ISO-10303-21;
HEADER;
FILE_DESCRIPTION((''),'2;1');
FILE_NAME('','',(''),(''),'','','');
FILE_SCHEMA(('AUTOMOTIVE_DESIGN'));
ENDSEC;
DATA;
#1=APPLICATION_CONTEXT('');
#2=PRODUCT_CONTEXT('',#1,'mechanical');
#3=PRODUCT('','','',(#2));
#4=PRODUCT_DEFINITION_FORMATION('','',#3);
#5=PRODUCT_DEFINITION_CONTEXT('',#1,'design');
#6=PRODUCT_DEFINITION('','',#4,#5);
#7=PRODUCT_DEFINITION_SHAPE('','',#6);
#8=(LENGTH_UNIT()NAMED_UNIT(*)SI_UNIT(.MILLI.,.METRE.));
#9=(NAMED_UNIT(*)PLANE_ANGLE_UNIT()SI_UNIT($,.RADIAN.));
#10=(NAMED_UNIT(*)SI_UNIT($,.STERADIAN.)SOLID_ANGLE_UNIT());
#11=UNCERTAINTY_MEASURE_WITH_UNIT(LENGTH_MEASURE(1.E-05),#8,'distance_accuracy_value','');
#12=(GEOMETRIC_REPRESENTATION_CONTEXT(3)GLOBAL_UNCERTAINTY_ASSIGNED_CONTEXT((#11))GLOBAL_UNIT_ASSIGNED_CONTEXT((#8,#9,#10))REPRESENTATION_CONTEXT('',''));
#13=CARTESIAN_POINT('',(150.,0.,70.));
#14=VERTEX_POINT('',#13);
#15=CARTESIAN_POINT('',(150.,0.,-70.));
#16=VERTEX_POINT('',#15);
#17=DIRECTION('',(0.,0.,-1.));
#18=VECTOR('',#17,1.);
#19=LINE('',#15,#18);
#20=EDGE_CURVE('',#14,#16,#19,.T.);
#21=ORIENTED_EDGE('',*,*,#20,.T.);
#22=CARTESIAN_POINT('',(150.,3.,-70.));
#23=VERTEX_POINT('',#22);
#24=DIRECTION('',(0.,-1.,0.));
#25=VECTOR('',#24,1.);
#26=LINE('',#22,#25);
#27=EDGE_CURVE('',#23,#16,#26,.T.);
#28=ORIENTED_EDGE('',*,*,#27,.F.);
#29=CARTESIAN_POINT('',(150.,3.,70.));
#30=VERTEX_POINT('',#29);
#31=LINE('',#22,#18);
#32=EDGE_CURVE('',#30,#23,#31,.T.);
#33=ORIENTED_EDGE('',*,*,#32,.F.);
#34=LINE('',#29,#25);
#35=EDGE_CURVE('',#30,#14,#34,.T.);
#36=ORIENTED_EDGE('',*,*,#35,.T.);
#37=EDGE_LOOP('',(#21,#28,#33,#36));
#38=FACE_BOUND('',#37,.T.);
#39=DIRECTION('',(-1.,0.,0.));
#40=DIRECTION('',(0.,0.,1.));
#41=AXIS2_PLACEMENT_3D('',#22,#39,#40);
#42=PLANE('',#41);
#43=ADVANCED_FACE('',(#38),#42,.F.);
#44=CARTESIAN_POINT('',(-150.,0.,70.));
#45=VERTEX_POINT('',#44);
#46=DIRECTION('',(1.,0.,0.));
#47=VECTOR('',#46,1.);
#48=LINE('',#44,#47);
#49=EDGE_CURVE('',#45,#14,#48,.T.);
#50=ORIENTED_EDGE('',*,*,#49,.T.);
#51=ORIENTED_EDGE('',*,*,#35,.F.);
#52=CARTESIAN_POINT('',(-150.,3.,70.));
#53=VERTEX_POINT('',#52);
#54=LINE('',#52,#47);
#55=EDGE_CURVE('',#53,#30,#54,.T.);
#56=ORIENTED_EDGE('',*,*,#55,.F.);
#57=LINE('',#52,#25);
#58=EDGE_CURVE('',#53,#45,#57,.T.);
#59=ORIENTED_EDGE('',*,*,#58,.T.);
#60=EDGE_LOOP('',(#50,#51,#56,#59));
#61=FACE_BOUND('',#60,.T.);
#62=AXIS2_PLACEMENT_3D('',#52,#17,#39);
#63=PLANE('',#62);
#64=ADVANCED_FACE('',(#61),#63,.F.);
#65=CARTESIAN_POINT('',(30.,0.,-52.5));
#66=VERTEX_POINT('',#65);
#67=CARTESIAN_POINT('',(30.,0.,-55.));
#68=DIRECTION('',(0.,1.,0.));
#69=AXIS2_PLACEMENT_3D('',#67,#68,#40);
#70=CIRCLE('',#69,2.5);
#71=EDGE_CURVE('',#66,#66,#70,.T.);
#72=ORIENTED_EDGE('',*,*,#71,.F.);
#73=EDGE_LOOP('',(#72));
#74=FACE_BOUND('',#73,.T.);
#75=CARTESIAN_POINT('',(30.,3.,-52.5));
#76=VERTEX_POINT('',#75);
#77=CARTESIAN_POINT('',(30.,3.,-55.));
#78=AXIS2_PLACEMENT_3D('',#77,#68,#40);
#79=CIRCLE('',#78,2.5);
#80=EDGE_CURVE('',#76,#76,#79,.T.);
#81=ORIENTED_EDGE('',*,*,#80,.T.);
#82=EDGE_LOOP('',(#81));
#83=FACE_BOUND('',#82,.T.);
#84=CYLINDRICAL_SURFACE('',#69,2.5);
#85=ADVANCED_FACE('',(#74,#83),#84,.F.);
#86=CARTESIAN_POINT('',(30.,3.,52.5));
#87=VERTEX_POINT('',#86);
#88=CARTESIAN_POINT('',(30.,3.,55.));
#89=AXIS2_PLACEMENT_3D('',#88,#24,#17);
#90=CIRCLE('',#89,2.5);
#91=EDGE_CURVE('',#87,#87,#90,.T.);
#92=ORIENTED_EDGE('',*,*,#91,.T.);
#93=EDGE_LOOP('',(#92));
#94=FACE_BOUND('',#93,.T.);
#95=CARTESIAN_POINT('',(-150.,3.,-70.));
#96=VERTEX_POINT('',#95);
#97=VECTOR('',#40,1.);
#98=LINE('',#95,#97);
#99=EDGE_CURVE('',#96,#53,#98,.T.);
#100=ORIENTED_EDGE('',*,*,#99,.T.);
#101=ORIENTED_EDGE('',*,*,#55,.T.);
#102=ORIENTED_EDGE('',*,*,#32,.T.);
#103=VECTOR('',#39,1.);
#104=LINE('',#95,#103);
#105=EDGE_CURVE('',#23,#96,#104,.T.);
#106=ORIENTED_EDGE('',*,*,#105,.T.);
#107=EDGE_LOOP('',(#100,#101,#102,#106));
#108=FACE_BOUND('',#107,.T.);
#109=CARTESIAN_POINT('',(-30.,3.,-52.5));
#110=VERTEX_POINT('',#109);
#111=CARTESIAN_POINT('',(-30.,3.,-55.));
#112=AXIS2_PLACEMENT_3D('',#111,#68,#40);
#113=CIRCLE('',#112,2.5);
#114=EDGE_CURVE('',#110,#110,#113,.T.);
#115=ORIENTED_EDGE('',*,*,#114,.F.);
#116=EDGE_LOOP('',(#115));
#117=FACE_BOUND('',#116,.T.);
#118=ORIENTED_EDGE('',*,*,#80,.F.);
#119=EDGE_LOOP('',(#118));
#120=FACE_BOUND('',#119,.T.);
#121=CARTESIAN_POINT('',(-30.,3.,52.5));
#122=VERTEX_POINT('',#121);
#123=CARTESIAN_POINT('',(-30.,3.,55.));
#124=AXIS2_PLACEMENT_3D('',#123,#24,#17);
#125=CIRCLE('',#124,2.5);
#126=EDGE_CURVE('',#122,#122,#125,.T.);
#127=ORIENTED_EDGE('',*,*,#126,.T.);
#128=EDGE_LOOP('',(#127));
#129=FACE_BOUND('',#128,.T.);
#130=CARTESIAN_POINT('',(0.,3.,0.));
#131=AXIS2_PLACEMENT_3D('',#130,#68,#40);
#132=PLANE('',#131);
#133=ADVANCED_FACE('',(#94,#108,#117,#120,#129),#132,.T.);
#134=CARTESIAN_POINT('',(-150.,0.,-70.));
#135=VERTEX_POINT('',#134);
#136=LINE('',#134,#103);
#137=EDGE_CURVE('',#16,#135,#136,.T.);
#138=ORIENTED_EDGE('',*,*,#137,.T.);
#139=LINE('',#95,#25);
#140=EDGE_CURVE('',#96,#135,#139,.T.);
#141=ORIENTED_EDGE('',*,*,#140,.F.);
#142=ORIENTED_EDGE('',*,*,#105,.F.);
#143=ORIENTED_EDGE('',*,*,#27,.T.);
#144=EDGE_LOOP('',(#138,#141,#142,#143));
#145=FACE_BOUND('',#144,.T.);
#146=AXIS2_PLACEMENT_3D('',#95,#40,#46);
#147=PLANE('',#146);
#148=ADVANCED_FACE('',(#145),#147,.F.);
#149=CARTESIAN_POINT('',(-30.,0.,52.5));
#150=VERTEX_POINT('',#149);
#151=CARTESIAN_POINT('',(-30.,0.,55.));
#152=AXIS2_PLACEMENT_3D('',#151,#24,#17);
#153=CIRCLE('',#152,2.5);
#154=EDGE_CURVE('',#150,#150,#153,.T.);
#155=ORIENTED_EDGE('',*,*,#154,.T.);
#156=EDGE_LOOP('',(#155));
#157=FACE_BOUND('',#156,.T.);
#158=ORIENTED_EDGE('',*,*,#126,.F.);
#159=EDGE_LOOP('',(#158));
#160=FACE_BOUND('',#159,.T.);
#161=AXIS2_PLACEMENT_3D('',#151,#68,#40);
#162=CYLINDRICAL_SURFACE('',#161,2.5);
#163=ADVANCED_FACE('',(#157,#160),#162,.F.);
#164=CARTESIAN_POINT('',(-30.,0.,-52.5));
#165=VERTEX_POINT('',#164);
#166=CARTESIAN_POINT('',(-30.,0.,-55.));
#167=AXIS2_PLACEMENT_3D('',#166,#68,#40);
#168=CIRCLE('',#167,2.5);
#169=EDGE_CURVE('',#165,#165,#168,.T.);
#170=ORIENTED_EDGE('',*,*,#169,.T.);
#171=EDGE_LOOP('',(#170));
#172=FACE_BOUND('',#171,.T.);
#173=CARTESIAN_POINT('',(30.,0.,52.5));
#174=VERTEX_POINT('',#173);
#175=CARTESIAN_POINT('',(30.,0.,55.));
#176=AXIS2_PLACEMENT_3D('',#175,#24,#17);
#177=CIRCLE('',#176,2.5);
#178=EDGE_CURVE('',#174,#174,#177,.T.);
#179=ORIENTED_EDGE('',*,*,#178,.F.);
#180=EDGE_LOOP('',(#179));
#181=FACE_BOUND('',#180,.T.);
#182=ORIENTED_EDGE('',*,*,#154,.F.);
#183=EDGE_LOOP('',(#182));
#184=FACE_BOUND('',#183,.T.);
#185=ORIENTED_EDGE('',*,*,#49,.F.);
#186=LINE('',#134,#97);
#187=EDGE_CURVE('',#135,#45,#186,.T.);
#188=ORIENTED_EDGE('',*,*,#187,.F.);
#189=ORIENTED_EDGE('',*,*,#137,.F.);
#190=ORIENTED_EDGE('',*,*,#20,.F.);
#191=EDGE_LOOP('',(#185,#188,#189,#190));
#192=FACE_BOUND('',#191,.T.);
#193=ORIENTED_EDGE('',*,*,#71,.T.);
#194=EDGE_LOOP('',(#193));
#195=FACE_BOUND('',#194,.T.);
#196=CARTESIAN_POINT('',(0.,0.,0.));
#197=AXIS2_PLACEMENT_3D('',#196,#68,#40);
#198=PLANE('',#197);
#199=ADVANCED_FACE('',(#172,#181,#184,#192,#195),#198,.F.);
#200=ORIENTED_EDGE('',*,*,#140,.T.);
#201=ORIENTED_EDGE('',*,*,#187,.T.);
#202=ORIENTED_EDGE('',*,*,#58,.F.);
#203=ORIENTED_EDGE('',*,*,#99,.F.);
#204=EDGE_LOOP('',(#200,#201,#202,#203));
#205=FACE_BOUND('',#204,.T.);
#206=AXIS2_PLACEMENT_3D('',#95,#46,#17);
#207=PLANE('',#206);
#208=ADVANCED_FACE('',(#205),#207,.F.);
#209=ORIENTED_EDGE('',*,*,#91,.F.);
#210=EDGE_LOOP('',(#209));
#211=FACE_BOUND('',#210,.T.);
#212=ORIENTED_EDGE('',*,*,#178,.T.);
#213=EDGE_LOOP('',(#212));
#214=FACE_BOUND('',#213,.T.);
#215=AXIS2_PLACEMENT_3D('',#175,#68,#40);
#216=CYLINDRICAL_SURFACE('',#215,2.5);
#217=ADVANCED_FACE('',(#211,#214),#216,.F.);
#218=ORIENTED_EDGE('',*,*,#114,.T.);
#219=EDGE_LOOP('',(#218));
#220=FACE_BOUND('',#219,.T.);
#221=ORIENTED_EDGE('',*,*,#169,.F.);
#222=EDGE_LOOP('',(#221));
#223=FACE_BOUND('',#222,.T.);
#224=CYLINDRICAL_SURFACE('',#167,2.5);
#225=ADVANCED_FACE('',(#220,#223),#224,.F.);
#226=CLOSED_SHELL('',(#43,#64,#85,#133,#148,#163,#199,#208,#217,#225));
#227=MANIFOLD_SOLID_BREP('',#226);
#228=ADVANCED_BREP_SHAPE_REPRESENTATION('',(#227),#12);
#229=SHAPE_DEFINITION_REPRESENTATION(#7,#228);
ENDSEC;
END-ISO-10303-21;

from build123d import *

# Parameters (mm, degrees)
SKETCH_1_W          = 300
SKETCH_1_H          = 140
EXTRUDE_1_DEPTH     = 3
SKETCH_2_R          = 2.5
CUT_EXTRUDE_1_DEPTH = 3


with BuildPart() as part:
    # 草图1 → 凸台-拉伸1 (new body)
    with BuildSketch(Plane(origin=(0, 0, 0), x_dir=(1, 0, 0), z_dir=(0, 1, 0))):
        Rectangle(SKETCH_1_W, SKETCH_1_H)
    extrude(amount=EXTRUDE_1_DEPTH)

    # 草图2 → 切除-拉伸1 (cut)
    with BuildSketch(Plane(origin=(0, 3, 0), x_dir=(1, 0, 0), z_dir=(0, 1, 0))):
        with Locations((-30, 55)):
            Circle(SKETCH_2_R)
        with Locations((30, 55)):
            Circle(SKETCH_2_R)
    cut_extrude_1 = extrude(amount=-CUT_EXTRUDE_1_DEPTH, mode=Mode.SUBTRACT)

    # 镜向1: 切除-拉伸1 across plane
    add(cut_extrude_1.mirror(Plane.XY), mode=Mode.SUBTRACT)


solid = part.part
